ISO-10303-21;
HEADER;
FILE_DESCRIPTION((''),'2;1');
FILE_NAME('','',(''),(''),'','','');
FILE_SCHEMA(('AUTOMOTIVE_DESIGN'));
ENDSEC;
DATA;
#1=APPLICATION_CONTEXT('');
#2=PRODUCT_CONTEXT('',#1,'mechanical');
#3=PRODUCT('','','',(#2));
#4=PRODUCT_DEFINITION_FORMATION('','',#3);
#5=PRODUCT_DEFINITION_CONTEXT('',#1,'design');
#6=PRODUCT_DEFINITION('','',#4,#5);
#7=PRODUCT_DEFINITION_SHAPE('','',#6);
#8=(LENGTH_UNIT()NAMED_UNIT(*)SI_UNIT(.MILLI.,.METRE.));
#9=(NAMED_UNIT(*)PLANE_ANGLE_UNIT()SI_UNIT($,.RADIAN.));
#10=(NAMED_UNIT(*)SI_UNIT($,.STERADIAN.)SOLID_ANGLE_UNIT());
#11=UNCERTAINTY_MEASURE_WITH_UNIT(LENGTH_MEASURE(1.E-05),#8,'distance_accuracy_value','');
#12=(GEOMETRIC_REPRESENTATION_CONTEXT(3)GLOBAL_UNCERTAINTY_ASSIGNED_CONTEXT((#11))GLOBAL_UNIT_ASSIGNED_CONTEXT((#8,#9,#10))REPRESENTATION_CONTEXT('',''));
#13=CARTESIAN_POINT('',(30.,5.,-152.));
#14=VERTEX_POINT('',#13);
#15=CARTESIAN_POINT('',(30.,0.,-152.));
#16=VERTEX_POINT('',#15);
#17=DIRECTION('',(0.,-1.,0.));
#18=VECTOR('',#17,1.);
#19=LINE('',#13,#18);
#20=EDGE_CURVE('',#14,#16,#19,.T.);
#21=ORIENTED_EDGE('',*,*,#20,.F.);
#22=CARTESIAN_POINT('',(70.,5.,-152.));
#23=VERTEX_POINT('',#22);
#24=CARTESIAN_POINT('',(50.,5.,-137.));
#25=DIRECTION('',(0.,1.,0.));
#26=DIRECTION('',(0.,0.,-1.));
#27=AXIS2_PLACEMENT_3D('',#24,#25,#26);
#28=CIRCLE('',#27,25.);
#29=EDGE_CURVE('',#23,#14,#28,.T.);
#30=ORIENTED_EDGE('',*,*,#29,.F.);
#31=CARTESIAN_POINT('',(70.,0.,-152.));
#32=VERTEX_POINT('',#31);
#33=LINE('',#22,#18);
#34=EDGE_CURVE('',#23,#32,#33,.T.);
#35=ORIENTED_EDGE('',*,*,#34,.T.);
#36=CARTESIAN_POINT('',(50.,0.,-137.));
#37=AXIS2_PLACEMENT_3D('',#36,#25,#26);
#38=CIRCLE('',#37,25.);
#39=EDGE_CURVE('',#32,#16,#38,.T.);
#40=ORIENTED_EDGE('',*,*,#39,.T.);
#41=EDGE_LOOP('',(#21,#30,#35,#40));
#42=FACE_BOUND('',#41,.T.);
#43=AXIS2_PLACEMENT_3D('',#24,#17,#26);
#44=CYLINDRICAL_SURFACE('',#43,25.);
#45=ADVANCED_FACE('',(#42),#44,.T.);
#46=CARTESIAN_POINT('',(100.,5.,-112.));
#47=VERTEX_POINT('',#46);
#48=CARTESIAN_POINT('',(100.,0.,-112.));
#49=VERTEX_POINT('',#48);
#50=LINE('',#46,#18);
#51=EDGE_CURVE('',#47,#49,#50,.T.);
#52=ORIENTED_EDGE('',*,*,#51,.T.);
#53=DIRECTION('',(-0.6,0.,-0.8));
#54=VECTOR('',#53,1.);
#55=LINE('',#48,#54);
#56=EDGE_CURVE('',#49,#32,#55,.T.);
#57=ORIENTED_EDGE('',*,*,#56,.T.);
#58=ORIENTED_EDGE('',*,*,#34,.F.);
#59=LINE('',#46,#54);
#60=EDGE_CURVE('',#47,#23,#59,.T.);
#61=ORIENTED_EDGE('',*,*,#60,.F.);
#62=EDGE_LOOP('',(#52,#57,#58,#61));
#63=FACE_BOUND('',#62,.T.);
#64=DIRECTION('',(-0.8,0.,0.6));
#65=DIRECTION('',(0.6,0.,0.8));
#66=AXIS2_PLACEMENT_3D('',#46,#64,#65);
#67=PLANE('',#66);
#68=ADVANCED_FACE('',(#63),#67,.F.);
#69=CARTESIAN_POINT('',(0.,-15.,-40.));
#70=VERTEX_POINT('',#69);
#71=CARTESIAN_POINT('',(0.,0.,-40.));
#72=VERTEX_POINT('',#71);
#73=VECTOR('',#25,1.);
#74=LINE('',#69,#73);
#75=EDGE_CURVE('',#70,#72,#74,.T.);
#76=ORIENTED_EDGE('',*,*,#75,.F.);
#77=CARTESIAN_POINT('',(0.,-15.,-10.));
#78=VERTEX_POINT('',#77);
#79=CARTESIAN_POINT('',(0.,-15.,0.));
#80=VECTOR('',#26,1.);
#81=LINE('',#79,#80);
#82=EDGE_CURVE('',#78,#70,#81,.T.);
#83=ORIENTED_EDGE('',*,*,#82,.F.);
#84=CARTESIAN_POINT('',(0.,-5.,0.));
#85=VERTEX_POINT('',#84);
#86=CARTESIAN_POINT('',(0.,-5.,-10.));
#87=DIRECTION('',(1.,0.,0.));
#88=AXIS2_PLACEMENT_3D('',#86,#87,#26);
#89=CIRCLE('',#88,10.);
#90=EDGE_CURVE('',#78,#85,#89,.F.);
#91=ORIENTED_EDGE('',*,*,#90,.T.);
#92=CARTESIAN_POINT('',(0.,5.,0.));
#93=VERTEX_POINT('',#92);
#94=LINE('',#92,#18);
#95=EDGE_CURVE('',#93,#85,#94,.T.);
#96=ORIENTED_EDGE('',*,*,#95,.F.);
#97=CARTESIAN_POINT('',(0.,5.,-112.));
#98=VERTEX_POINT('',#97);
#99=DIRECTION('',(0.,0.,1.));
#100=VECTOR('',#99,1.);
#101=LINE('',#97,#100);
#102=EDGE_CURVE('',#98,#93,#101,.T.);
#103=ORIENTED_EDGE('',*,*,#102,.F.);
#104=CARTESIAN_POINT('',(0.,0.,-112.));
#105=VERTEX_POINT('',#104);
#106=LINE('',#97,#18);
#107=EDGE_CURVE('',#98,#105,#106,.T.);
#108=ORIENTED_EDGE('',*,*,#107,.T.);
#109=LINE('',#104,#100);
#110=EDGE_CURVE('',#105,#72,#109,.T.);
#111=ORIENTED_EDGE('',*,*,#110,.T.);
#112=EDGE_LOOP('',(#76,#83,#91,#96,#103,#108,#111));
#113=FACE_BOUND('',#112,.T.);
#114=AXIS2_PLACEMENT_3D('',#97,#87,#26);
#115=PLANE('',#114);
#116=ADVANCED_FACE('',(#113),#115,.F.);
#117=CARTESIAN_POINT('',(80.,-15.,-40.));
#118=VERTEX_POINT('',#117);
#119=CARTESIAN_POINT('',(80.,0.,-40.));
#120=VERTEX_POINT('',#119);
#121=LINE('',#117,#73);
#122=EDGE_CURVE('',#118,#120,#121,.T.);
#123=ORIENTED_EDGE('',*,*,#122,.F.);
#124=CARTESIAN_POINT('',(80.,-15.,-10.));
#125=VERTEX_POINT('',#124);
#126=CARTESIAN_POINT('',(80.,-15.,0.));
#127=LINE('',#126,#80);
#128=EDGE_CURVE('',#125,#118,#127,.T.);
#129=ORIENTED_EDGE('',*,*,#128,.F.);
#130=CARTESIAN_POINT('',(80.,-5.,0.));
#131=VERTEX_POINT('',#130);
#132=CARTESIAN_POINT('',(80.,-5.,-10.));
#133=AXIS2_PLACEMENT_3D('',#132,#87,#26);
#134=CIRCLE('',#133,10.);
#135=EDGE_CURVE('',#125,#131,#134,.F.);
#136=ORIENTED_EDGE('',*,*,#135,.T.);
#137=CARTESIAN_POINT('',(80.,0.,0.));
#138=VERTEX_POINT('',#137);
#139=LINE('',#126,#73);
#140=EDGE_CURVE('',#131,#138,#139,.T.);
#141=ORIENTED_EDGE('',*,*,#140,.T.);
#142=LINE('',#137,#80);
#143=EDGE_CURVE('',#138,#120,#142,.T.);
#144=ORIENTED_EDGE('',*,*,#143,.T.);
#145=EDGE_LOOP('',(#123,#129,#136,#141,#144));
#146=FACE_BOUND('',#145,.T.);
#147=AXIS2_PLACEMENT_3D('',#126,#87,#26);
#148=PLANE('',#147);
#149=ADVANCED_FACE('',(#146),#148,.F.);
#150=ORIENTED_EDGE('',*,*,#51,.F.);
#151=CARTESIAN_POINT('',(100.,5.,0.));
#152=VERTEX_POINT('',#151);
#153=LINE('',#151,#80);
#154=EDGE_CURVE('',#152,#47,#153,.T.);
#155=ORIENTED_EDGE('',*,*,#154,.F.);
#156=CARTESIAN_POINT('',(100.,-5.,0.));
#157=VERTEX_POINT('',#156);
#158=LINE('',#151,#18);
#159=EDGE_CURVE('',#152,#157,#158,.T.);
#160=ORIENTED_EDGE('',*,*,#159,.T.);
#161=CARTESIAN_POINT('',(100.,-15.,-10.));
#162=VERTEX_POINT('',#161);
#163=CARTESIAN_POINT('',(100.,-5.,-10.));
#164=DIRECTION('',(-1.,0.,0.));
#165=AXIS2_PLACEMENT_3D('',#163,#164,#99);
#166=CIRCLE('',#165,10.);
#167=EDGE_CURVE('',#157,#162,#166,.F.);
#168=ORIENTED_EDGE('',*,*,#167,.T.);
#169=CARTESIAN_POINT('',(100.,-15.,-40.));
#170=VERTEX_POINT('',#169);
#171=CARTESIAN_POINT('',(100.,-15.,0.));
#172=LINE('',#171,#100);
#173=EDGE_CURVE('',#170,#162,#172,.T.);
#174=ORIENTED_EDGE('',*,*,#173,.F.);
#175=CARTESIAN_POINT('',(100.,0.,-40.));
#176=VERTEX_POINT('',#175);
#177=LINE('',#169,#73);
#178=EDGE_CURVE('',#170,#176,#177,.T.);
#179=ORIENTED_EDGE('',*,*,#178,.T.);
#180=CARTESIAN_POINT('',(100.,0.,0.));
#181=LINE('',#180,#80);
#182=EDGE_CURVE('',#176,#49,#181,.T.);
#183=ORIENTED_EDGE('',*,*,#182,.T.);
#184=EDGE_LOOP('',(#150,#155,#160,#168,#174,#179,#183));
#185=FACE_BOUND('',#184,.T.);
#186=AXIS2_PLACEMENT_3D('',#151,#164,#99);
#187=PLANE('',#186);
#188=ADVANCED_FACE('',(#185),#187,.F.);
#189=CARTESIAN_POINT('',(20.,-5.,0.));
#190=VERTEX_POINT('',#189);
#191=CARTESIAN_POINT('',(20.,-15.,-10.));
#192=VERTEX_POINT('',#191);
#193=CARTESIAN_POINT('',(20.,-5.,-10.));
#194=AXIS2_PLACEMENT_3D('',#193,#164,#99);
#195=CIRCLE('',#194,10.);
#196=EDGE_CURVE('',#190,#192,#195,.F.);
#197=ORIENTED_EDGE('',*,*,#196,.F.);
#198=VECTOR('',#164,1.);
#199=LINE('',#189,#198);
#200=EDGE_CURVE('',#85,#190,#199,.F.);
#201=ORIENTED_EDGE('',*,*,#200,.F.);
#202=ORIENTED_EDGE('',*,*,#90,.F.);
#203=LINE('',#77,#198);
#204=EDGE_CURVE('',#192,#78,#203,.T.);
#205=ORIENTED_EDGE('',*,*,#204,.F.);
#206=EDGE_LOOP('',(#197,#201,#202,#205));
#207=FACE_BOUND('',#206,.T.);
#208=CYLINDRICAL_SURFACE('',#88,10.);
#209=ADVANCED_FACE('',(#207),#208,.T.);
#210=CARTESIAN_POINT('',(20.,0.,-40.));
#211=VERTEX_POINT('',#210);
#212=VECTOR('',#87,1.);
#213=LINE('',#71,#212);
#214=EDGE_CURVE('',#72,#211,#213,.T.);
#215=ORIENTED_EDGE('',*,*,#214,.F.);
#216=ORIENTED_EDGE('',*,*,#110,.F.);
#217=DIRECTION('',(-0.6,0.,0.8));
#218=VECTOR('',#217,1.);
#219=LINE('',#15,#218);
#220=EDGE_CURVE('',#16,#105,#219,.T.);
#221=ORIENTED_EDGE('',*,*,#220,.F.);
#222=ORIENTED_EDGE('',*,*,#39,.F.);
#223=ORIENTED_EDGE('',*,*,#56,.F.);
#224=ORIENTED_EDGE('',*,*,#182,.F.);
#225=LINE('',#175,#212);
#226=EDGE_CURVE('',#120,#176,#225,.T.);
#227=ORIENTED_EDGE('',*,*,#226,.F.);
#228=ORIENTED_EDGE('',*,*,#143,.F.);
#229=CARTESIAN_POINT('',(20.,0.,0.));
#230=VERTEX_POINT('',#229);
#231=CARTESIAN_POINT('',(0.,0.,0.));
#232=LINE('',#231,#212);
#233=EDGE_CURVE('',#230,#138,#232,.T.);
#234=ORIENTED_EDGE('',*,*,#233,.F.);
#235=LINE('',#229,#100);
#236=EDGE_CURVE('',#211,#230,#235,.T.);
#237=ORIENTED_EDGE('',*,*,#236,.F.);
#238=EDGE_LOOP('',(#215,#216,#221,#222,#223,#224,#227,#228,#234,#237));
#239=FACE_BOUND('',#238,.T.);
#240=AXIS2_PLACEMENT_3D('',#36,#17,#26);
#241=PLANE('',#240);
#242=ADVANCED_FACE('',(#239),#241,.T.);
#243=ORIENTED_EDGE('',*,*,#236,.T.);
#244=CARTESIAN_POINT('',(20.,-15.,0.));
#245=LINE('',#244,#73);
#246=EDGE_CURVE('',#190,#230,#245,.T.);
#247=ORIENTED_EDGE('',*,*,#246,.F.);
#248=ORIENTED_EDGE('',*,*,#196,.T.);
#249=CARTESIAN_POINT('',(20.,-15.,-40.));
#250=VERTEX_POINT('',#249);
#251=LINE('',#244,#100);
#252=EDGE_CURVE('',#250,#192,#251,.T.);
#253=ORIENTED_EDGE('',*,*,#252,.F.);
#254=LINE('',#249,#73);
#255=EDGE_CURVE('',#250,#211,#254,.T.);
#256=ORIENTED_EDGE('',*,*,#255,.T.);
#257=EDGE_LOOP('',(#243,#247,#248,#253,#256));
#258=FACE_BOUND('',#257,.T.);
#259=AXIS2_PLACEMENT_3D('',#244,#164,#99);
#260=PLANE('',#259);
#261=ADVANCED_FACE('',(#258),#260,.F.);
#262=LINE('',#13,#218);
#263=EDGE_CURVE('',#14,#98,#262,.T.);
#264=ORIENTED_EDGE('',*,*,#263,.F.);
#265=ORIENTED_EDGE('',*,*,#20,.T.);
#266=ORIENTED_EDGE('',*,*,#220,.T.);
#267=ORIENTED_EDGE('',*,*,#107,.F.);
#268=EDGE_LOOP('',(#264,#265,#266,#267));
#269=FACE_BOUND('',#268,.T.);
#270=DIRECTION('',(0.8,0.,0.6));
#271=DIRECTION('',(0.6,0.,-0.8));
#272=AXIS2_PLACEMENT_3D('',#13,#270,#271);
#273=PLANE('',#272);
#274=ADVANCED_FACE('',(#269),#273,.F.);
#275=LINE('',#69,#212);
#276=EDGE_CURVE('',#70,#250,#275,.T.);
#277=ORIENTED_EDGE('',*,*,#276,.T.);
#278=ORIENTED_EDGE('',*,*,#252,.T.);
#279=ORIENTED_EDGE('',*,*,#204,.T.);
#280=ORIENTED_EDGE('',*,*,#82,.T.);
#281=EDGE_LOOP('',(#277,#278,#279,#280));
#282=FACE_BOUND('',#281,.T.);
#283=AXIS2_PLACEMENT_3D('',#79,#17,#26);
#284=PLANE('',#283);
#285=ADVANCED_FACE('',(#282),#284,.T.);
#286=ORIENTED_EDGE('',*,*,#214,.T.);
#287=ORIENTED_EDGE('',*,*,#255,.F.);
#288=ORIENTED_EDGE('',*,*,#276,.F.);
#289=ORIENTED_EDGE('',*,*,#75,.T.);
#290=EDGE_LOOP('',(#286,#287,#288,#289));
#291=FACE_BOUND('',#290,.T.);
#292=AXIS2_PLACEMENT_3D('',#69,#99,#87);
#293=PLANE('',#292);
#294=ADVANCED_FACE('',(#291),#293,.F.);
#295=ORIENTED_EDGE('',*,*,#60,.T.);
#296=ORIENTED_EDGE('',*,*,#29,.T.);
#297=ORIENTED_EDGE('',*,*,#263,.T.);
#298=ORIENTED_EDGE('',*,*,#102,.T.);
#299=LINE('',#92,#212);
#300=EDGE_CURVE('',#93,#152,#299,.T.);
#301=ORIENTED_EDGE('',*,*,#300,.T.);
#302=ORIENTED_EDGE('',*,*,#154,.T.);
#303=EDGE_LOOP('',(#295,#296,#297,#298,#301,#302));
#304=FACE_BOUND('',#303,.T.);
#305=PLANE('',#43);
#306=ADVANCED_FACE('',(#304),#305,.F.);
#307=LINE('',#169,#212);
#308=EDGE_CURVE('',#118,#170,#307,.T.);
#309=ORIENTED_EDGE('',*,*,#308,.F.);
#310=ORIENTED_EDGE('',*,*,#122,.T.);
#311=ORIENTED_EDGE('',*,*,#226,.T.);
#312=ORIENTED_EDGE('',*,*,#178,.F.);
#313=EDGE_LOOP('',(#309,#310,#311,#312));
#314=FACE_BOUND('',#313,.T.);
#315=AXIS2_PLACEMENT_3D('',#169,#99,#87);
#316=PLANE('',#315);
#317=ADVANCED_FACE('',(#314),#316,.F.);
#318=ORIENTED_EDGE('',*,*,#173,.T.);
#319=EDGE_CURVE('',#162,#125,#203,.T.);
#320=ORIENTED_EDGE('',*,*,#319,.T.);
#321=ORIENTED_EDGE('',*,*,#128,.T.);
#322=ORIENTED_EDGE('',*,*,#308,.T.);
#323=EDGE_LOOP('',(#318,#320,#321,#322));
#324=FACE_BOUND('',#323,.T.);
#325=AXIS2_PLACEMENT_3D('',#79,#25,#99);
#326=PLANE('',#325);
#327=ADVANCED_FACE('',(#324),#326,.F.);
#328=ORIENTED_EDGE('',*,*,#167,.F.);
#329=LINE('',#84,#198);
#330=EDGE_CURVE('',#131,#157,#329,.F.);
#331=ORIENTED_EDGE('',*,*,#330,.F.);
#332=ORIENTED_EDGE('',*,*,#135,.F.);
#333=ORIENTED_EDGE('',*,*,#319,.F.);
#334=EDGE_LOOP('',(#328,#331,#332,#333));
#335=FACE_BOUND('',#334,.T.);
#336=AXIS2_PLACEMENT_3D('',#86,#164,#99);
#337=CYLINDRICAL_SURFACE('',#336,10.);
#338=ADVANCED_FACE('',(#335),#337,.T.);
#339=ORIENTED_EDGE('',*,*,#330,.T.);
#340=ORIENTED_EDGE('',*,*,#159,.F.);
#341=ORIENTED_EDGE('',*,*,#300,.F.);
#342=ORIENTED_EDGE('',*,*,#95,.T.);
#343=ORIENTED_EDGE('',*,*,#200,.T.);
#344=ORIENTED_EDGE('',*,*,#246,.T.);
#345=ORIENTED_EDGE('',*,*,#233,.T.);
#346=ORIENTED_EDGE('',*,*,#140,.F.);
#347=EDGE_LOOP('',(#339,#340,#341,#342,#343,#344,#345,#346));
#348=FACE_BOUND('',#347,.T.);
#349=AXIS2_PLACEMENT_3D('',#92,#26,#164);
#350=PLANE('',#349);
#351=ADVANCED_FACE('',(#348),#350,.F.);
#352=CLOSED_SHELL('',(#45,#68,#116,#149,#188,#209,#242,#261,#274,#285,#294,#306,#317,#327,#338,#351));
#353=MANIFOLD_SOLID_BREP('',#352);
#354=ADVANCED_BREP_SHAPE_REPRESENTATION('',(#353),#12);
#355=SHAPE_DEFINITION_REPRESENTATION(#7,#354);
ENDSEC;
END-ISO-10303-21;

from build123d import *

# Parameters (mm, degrees)
EXTRUDE_1_DEPTH = 5
SKETCH_2_W      = 20
SKETCH_2_H      = 40
EXTRUDE_3_DEPTH = 15
FILLET_1_R      = 10


with BuildPart() as part:
    # 草图1 → 凸台-拉伸1 (new body)
    with BuildSketch(Plane(origin=(0, 0, 0), x_dir=(1, 0, 0), z_dir=(0, 1, 0))):
        with BuildLine():
            Line((0, 0), (100, 0))
            Line((100, 0), (100, 112))
            Line((100, 112), (70, 152))
            ThreePointArc((70, 152), (50, 162), (30, 152))
            Line((30, 152), (0, 112))
            Line((0, 112), (0, 0))
        make_face()
    extrude(amount=EXTRUDE_1_DEPTH)

    # 草图2 → 凸台-拉伸3 (add)
    with BuildSketch(Plane.XZ):
        with Locations((90, -20)):
            Rectangle(SKETCH_2_W, SKETCH_2_H)
        with Locations((10, -20)):
            Rectangle(SKETCH_2_W, SKETCH_2_H)
    extrude(amount=EXTRUDE_3_DEPTH)

    # 圆角1
    fillet_1_edges = [part.edges().sort_by_distance(p)[0] for p in [
        (90, -15, 0),
        (10, -15, 0),
    ]]
    fillet(fillet_1_edges, radius=FILLET_1_R)


solid = part.part
